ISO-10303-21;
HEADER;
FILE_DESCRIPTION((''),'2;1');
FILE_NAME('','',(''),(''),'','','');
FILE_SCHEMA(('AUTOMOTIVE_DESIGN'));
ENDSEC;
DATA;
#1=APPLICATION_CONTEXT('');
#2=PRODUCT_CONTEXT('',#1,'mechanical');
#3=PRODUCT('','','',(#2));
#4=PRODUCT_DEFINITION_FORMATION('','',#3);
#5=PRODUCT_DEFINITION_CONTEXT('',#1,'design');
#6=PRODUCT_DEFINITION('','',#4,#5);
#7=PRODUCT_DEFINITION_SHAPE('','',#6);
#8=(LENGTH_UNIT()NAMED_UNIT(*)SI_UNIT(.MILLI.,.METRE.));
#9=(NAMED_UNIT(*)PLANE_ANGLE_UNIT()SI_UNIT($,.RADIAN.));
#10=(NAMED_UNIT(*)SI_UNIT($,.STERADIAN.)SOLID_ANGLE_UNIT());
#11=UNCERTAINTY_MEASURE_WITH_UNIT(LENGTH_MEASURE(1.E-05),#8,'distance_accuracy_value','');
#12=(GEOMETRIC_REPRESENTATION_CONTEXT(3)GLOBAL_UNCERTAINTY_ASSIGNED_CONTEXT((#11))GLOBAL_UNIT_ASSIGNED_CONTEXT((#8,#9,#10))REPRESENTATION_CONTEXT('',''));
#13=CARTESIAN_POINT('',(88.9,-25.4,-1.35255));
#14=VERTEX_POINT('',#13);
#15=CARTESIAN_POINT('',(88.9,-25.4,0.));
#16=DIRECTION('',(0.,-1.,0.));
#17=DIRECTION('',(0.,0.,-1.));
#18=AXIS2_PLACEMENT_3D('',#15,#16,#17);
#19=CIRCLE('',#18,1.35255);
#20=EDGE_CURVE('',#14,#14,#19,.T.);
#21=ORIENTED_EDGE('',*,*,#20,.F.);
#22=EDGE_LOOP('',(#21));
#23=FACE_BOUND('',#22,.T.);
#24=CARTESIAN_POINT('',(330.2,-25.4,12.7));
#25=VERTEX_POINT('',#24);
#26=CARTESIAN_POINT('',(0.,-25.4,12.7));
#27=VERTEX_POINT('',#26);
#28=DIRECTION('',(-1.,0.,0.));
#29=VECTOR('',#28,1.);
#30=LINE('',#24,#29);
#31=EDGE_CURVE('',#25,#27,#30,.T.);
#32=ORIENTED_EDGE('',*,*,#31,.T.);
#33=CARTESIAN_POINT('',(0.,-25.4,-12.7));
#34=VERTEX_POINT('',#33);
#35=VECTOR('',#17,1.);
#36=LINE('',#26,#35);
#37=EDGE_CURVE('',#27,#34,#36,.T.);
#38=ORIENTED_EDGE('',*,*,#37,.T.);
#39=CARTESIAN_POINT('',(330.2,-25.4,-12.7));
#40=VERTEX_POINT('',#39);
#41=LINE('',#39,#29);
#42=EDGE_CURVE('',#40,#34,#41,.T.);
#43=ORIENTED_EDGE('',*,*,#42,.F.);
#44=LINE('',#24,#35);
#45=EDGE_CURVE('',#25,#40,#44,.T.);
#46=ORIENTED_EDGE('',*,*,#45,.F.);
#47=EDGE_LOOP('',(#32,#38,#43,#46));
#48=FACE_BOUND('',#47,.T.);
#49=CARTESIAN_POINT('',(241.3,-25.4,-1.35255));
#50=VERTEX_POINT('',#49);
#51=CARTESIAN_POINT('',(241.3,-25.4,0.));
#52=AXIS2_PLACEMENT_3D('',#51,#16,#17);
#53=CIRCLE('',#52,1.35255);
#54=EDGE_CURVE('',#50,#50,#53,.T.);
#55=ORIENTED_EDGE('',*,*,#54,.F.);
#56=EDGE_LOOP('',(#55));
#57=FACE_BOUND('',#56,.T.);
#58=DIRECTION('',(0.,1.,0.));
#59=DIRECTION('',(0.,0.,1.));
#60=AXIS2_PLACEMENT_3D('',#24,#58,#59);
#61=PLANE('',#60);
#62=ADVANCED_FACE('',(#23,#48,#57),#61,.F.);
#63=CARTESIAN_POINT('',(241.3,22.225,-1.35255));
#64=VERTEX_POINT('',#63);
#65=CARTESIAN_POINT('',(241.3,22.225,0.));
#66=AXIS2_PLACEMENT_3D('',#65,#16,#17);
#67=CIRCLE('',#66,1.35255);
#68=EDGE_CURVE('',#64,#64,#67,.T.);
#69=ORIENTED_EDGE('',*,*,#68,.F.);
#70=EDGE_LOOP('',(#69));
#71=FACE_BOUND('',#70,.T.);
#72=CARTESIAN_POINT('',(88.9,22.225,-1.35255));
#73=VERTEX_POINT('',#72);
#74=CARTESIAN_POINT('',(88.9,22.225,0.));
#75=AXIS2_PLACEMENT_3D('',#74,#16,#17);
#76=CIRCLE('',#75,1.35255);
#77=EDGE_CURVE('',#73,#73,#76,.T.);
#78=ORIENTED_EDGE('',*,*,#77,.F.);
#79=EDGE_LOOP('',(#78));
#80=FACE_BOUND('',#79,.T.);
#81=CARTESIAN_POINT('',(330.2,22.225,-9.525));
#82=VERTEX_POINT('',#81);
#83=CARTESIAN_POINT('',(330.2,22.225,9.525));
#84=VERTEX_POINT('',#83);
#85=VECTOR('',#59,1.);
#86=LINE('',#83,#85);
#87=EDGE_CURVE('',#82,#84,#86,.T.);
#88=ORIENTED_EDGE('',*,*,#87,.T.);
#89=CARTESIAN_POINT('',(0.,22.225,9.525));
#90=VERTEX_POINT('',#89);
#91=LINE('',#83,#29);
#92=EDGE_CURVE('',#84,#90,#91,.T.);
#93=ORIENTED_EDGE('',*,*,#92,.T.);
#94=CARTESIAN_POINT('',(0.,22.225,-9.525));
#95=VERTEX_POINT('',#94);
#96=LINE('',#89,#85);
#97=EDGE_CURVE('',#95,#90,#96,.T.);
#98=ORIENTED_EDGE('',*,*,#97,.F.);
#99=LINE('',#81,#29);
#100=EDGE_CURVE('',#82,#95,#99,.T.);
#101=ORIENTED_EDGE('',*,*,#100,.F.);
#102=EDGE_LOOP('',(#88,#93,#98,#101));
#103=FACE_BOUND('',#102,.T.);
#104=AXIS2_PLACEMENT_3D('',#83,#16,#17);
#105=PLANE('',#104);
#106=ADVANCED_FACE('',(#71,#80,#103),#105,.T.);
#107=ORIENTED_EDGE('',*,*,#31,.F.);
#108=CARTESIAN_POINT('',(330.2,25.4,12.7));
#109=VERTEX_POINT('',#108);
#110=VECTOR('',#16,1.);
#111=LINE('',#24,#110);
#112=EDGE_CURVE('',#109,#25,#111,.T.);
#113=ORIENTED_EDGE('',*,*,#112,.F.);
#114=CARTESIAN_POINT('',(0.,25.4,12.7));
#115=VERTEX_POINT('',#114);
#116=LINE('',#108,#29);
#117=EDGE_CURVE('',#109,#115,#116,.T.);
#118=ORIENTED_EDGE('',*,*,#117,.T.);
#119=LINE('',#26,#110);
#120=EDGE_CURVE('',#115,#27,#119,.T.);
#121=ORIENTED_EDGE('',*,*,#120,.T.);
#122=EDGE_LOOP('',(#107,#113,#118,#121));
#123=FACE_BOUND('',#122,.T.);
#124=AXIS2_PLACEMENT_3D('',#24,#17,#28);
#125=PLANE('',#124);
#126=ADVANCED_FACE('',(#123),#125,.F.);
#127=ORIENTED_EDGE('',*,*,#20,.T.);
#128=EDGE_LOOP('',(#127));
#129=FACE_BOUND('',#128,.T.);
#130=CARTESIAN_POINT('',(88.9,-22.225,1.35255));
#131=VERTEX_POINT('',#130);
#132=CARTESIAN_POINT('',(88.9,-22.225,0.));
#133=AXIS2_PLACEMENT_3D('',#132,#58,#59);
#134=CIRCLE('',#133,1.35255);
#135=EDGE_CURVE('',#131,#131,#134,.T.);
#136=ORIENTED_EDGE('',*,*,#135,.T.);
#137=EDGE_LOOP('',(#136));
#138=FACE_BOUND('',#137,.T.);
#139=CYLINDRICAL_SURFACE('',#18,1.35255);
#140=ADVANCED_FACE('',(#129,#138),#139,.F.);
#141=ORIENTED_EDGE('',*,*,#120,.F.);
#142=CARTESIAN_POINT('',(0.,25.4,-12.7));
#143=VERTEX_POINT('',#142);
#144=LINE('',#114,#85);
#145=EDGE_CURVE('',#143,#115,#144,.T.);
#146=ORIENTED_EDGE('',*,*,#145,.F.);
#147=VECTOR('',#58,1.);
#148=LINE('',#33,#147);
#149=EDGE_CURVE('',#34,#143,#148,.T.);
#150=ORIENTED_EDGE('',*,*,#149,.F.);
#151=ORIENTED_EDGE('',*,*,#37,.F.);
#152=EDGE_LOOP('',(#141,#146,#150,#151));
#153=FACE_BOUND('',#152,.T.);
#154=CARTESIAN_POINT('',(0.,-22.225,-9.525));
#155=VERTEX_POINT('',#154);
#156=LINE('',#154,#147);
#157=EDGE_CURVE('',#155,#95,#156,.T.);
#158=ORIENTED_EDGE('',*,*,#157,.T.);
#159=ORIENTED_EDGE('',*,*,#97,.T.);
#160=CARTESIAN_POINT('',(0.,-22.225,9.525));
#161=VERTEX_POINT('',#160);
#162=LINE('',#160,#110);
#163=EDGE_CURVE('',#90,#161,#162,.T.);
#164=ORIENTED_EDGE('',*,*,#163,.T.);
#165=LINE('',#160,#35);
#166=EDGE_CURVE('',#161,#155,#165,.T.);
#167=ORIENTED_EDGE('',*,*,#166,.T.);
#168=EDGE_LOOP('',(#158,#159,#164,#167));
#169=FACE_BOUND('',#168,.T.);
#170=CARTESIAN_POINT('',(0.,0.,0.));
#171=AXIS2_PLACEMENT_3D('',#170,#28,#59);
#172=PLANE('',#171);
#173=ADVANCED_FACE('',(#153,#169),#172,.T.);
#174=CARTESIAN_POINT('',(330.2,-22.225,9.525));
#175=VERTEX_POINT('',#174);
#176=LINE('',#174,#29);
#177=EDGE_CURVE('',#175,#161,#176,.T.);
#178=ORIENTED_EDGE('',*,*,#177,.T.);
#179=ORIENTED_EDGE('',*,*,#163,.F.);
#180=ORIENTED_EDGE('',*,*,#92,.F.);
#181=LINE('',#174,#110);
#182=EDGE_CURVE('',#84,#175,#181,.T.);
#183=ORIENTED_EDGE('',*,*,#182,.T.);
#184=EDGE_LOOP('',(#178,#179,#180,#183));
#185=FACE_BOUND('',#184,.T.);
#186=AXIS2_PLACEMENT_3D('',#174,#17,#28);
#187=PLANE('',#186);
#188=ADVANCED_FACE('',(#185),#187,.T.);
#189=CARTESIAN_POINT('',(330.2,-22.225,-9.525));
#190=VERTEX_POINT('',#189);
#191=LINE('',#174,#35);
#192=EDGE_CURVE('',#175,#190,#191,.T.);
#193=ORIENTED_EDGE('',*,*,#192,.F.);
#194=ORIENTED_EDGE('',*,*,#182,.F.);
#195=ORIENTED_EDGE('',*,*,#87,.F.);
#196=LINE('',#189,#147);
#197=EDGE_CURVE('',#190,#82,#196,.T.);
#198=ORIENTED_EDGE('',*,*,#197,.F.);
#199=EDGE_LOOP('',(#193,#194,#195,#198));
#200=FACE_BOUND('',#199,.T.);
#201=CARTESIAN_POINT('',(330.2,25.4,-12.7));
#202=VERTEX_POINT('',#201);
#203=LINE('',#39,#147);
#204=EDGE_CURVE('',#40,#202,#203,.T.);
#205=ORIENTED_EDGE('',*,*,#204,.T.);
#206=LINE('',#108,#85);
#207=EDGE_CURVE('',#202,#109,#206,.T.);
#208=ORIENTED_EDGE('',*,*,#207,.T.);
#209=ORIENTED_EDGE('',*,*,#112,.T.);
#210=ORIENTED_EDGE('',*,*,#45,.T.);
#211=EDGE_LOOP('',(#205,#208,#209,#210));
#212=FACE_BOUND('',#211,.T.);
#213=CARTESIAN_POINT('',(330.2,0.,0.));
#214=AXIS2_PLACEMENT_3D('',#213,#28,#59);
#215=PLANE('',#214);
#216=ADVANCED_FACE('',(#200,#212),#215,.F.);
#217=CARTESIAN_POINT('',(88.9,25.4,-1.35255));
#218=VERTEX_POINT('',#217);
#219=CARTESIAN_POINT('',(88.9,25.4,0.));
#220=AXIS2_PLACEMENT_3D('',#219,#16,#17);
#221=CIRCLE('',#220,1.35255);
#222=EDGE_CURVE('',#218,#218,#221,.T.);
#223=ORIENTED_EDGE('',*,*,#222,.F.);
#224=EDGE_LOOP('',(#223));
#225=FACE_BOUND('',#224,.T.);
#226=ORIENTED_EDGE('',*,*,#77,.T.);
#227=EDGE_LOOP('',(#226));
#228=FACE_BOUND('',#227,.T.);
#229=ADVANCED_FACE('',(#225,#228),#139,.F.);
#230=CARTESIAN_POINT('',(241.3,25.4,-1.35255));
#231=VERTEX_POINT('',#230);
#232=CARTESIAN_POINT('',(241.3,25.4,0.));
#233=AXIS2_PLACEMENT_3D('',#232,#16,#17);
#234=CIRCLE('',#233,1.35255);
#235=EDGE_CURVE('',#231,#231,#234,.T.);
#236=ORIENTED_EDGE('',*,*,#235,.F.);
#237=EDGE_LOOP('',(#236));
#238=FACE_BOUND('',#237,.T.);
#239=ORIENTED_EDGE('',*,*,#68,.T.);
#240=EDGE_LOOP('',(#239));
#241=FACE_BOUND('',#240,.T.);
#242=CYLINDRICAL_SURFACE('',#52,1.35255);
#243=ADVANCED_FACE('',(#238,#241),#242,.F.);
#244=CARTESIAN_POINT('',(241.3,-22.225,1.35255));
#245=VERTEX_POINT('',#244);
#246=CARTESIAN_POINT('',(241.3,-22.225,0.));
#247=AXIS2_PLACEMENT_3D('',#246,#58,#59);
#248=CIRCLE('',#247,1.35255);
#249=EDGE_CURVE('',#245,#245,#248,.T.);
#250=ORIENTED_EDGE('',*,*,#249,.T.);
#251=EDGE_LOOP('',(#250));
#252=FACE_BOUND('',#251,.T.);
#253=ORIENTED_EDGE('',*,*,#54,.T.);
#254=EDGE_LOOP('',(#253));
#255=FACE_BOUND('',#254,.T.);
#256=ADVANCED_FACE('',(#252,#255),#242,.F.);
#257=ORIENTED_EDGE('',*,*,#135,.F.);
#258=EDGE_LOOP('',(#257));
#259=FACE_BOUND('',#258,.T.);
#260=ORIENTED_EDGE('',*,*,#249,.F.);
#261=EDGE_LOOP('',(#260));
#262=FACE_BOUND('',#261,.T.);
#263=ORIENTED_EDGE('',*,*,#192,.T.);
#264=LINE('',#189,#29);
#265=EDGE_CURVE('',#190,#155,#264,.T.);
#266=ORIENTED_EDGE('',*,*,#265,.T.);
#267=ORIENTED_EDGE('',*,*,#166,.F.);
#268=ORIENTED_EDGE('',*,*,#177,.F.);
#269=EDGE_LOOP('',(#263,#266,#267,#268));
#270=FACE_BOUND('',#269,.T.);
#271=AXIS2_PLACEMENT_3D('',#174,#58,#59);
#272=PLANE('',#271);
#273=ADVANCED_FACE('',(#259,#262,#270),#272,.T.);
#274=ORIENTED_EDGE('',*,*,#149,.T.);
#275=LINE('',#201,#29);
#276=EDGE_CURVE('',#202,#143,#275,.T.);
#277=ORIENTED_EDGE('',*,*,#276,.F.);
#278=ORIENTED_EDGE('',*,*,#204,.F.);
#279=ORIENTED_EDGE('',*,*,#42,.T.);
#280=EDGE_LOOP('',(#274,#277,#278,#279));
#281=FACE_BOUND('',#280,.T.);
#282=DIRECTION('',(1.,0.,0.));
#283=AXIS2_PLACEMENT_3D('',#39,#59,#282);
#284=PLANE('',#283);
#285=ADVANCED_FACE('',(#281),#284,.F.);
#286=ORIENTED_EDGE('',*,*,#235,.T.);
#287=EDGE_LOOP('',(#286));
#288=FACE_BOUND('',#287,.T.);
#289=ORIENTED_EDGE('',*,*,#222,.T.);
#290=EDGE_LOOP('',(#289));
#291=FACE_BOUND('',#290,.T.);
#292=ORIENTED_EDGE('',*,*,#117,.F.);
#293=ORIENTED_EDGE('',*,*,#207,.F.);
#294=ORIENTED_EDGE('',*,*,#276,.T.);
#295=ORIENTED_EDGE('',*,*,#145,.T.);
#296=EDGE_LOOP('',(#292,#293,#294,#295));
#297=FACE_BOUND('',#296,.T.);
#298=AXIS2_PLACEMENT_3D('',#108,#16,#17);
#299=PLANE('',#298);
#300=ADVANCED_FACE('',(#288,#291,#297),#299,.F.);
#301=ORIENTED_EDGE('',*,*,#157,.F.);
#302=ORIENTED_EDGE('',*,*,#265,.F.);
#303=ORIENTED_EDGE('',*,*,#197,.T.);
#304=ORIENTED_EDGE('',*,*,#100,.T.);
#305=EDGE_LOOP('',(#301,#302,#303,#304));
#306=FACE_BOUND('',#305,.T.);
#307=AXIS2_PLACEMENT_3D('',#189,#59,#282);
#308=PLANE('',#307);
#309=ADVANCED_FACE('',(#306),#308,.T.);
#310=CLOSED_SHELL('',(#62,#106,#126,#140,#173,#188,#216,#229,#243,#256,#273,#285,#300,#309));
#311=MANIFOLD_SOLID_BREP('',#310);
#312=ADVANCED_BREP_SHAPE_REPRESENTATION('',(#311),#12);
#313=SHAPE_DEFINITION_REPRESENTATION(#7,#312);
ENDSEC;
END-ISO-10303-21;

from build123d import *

# Parameters (mm, degrees)
SKETCH1_W             = 25.4
SKETCH1_H             = 50.8
SKETCH1_W_2           = 19.05
SKETCH1_H_2           = 44.45
BOSS_EXTRUDE1_DEPTH   = 330.2
F_6_32_TAPPED_HOLE6_D = 2.7051


with BuildPart() as part:
    # Sketch1 → Boss-Extrude1 (new body)
    with BuildSketch(Plane(origin=(0, 0, 0), x_dir=(0, 0, -1), z_dir=(1, 0, 0))):
        Rectangle(SKETCH1_W, SKETCH1_H)
        Rectangle(SKETCH1_W_2, SKETCH1_H_2, mode=Mode.SUBTRACT)
    extrude(amount=BOSS_EXTRUDE1_DEPTH)

    # #6-32 Tapped Hole6 (through all)
    with Locations(Plane(origin=(88.9, -25.4, 0), x_dir=(0, 0, -1), z_dir=(0, -1, 0))):
        with Locations((0, 0), (0, 152.4)):
            Hole(F_6_32_TAPPED_HOLE6_D / 2)


solid = part.part
